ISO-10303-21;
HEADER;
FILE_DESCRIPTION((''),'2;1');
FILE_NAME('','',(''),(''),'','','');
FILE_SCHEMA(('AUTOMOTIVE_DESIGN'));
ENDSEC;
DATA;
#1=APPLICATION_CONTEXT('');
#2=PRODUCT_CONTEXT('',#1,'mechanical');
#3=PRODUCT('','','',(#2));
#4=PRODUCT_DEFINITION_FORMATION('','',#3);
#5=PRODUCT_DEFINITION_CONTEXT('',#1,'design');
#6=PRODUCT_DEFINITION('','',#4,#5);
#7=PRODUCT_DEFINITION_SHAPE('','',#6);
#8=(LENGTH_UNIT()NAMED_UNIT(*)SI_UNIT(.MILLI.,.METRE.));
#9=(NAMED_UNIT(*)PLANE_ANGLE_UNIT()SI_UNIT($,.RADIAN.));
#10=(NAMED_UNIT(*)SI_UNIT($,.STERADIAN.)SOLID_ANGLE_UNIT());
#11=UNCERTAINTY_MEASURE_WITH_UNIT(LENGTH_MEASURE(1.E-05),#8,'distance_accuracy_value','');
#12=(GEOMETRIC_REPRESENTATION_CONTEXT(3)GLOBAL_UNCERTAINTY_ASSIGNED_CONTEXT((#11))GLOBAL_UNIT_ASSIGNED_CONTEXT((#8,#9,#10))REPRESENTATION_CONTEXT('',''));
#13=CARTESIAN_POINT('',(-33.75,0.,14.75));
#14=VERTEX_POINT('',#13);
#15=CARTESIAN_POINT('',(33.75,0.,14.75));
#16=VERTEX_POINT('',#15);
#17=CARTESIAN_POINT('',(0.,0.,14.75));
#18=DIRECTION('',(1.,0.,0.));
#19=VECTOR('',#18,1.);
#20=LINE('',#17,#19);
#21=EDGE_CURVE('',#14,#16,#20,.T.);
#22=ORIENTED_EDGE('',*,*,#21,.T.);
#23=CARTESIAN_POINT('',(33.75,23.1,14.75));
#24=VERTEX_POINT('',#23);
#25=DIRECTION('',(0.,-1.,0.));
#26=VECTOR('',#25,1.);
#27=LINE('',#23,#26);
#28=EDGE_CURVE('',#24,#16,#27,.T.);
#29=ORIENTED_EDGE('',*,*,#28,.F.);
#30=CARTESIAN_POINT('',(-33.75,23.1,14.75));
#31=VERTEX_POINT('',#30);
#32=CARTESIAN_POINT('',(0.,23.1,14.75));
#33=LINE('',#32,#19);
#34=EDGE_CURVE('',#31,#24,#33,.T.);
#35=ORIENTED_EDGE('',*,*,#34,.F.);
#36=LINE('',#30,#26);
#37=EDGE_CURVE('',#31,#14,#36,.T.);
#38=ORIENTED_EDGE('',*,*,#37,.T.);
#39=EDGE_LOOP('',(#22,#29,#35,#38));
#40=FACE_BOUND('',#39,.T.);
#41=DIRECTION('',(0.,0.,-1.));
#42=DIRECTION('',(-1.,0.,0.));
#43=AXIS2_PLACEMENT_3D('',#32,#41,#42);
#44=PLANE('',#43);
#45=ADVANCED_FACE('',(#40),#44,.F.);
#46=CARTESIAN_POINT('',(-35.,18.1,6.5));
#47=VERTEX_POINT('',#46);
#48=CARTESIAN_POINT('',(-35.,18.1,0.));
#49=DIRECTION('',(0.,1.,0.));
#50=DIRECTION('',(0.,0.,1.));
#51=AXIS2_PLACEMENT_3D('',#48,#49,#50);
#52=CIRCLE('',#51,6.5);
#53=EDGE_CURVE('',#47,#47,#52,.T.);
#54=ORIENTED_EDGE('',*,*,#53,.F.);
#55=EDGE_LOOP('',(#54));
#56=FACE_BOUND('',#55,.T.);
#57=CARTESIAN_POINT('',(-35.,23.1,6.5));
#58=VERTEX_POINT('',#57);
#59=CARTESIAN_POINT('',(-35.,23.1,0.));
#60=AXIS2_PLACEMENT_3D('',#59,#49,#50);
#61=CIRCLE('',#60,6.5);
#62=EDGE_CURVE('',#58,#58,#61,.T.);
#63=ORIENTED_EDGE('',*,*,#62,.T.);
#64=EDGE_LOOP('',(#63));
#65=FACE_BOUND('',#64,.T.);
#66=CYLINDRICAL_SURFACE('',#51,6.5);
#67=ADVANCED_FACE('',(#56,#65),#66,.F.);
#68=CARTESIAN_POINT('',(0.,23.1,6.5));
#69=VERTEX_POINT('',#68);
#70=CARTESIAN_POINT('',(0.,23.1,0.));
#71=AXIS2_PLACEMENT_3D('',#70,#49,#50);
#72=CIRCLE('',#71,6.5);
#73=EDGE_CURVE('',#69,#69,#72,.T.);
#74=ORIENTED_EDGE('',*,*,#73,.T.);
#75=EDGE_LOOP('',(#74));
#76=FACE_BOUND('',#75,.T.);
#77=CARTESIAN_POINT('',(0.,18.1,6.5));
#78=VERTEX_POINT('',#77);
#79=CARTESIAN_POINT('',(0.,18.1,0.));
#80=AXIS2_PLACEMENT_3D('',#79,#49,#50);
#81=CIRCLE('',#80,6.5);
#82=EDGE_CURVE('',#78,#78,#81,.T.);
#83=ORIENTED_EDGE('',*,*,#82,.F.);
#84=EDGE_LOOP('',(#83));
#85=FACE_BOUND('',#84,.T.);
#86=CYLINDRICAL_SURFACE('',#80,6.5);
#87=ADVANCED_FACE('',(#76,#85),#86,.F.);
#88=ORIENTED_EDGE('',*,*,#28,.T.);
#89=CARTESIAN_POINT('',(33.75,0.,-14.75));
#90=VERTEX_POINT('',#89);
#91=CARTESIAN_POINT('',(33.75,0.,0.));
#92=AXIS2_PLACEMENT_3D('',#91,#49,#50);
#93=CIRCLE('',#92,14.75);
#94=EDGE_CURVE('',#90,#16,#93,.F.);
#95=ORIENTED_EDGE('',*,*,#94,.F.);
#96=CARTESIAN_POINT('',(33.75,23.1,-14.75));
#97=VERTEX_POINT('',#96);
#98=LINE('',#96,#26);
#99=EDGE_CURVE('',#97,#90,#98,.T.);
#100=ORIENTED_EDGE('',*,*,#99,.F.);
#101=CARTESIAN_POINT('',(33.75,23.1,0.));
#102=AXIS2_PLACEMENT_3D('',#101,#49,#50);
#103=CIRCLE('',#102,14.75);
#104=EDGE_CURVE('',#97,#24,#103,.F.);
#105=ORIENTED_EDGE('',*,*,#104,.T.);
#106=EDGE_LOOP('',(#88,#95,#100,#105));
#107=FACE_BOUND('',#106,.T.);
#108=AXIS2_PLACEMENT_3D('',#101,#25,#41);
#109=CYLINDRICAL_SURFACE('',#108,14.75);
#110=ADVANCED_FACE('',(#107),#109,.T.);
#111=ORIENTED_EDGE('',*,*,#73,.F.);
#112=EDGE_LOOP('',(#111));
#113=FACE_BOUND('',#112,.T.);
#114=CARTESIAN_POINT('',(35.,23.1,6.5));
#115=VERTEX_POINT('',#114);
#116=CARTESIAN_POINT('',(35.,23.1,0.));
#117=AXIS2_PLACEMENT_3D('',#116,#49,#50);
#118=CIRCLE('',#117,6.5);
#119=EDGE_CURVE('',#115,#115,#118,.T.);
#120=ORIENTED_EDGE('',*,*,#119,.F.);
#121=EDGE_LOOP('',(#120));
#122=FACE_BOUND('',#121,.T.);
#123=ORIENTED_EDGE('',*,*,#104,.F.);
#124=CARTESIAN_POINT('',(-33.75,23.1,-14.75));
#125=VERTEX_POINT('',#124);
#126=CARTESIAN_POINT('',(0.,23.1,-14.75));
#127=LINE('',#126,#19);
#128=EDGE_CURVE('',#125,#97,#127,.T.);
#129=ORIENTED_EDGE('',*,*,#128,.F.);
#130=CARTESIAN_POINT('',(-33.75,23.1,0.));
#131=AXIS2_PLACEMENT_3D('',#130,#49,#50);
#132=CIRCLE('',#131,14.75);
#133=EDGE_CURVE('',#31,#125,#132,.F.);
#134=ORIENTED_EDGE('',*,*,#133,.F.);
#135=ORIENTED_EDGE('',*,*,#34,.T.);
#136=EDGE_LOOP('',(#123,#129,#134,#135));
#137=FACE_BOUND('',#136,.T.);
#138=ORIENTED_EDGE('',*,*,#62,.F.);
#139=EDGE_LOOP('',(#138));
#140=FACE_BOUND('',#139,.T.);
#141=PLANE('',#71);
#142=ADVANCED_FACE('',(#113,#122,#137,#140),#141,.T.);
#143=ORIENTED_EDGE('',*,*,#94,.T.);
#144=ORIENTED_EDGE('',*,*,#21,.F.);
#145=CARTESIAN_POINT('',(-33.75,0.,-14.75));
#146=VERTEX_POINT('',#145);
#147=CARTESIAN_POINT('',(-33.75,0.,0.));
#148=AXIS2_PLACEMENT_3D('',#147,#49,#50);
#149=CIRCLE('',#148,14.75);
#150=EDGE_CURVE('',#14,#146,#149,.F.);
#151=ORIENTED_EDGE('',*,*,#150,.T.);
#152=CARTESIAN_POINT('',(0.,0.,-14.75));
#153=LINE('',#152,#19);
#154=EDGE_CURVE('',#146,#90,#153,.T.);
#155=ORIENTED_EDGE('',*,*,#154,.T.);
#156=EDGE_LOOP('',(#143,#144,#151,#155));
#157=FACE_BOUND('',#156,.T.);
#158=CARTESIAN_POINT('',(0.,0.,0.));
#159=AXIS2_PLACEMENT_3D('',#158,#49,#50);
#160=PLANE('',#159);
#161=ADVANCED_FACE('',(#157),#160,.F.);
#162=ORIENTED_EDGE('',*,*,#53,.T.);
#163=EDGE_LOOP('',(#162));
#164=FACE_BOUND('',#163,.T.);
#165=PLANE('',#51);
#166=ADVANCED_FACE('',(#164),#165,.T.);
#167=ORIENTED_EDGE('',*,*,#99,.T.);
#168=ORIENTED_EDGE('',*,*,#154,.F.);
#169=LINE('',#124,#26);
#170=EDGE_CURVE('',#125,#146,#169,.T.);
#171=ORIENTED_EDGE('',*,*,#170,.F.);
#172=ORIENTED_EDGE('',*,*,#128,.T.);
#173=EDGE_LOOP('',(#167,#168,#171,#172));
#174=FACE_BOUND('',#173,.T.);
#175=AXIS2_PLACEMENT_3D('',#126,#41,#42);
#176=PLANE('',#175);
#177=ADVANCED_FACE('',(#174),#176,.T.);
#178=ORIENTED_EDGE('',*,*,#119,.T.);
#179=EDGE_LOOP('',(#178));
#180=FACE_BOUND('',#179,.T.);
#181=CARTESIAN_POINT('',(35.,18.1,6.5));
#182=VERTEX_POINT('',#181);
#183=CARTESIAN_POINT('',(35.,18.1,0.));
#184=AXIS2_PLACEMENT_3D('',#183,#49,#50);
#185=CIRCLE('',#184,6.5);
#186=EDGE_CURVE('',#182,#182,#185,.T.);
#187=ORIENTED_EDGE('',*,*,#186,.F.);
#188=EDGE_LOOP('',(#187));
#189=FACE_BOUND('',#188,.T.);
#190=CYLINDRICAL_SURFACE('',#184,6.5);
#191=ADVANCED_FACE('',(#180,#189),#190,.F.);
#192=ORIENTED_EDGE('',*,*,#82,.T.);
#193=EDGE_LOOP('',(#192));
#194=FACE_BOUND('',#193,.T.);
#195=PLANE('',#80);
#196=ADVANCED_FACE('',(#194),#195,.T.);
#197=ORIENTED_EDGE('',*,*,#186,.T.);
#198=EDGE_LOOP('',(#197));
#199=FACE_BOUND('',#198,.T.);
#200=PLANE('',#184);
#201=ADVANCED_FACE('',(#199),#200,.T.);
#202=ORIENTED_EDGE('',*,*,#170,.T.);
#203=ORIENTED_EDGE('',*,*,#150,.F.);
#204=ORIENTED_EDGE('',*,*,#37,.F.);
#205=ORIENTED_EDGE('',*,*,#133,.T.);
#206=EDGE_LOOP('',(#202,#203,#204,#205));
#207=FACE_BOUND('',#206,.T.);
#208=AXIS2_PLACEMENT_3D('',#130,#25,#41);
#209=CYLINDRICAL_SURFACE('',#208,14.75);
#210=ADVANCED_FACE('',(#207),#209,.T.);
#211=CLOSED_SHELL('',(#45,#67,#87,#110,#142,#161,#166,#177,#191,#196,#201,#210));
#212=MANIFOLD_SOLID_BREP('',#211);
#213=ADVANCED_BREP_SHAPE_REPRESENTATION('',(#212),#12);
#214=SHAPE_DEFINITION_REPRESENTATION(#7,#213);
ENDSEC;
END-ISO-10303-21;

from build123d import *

# Parameters (mm, degrees)
BOSS_EXTRUDE1_DEPTH = 23.1
SKETCH2_R           = 6.5
CUT_EXTRUDE1_DEPTH  = 5


with BuildPart() as part:
    # Sketch1 → Boss-Extrude1 (new body)
    with BuildSketch(Plane(origin=(0, 0, 0), x_dir=(1, 0, 0), z_dir=(0, 1, 0))):
        with BuildLine():
            ThreePointArc((33.75, 14.75), (48.5, 0), (33.75, -14.75))
            Line((33.75, -14.75), (-33.75, -14.75))
            ThreePointArc((-33.75, -14.75), (-48.5, 0), (-33.75, 14.75))
            Line((-33.75, 14.75), (33.75, 14.75))
        make_face()
    extrude(amount=BOSS_EXTRUDE1_DEPTH)

    # Sketch2 → Cut-Extrude1 (cut)
    with BuildSketch(Plane(origin=(0, 23.1, 0), x_dir=(1, 0, 0), z_dir=(0, 1, 0))):
        with Locations(Location((0, 0, 0), (0, 0, 270))):
            Circle(SKETCH2_R)
        with Locations(Location((-35, 0, 0), (0, 0, 270))):
            Circle(SKETCH2_R)
        with Locations(Location((35, 0, 0), (0, 0, 270))):
            Circle(SKETCH2_R)
    extrude(amount=-CUT_EXTRUDE1_DEPTH, mode=Mode.SUBTRACT)


solid = part.part
